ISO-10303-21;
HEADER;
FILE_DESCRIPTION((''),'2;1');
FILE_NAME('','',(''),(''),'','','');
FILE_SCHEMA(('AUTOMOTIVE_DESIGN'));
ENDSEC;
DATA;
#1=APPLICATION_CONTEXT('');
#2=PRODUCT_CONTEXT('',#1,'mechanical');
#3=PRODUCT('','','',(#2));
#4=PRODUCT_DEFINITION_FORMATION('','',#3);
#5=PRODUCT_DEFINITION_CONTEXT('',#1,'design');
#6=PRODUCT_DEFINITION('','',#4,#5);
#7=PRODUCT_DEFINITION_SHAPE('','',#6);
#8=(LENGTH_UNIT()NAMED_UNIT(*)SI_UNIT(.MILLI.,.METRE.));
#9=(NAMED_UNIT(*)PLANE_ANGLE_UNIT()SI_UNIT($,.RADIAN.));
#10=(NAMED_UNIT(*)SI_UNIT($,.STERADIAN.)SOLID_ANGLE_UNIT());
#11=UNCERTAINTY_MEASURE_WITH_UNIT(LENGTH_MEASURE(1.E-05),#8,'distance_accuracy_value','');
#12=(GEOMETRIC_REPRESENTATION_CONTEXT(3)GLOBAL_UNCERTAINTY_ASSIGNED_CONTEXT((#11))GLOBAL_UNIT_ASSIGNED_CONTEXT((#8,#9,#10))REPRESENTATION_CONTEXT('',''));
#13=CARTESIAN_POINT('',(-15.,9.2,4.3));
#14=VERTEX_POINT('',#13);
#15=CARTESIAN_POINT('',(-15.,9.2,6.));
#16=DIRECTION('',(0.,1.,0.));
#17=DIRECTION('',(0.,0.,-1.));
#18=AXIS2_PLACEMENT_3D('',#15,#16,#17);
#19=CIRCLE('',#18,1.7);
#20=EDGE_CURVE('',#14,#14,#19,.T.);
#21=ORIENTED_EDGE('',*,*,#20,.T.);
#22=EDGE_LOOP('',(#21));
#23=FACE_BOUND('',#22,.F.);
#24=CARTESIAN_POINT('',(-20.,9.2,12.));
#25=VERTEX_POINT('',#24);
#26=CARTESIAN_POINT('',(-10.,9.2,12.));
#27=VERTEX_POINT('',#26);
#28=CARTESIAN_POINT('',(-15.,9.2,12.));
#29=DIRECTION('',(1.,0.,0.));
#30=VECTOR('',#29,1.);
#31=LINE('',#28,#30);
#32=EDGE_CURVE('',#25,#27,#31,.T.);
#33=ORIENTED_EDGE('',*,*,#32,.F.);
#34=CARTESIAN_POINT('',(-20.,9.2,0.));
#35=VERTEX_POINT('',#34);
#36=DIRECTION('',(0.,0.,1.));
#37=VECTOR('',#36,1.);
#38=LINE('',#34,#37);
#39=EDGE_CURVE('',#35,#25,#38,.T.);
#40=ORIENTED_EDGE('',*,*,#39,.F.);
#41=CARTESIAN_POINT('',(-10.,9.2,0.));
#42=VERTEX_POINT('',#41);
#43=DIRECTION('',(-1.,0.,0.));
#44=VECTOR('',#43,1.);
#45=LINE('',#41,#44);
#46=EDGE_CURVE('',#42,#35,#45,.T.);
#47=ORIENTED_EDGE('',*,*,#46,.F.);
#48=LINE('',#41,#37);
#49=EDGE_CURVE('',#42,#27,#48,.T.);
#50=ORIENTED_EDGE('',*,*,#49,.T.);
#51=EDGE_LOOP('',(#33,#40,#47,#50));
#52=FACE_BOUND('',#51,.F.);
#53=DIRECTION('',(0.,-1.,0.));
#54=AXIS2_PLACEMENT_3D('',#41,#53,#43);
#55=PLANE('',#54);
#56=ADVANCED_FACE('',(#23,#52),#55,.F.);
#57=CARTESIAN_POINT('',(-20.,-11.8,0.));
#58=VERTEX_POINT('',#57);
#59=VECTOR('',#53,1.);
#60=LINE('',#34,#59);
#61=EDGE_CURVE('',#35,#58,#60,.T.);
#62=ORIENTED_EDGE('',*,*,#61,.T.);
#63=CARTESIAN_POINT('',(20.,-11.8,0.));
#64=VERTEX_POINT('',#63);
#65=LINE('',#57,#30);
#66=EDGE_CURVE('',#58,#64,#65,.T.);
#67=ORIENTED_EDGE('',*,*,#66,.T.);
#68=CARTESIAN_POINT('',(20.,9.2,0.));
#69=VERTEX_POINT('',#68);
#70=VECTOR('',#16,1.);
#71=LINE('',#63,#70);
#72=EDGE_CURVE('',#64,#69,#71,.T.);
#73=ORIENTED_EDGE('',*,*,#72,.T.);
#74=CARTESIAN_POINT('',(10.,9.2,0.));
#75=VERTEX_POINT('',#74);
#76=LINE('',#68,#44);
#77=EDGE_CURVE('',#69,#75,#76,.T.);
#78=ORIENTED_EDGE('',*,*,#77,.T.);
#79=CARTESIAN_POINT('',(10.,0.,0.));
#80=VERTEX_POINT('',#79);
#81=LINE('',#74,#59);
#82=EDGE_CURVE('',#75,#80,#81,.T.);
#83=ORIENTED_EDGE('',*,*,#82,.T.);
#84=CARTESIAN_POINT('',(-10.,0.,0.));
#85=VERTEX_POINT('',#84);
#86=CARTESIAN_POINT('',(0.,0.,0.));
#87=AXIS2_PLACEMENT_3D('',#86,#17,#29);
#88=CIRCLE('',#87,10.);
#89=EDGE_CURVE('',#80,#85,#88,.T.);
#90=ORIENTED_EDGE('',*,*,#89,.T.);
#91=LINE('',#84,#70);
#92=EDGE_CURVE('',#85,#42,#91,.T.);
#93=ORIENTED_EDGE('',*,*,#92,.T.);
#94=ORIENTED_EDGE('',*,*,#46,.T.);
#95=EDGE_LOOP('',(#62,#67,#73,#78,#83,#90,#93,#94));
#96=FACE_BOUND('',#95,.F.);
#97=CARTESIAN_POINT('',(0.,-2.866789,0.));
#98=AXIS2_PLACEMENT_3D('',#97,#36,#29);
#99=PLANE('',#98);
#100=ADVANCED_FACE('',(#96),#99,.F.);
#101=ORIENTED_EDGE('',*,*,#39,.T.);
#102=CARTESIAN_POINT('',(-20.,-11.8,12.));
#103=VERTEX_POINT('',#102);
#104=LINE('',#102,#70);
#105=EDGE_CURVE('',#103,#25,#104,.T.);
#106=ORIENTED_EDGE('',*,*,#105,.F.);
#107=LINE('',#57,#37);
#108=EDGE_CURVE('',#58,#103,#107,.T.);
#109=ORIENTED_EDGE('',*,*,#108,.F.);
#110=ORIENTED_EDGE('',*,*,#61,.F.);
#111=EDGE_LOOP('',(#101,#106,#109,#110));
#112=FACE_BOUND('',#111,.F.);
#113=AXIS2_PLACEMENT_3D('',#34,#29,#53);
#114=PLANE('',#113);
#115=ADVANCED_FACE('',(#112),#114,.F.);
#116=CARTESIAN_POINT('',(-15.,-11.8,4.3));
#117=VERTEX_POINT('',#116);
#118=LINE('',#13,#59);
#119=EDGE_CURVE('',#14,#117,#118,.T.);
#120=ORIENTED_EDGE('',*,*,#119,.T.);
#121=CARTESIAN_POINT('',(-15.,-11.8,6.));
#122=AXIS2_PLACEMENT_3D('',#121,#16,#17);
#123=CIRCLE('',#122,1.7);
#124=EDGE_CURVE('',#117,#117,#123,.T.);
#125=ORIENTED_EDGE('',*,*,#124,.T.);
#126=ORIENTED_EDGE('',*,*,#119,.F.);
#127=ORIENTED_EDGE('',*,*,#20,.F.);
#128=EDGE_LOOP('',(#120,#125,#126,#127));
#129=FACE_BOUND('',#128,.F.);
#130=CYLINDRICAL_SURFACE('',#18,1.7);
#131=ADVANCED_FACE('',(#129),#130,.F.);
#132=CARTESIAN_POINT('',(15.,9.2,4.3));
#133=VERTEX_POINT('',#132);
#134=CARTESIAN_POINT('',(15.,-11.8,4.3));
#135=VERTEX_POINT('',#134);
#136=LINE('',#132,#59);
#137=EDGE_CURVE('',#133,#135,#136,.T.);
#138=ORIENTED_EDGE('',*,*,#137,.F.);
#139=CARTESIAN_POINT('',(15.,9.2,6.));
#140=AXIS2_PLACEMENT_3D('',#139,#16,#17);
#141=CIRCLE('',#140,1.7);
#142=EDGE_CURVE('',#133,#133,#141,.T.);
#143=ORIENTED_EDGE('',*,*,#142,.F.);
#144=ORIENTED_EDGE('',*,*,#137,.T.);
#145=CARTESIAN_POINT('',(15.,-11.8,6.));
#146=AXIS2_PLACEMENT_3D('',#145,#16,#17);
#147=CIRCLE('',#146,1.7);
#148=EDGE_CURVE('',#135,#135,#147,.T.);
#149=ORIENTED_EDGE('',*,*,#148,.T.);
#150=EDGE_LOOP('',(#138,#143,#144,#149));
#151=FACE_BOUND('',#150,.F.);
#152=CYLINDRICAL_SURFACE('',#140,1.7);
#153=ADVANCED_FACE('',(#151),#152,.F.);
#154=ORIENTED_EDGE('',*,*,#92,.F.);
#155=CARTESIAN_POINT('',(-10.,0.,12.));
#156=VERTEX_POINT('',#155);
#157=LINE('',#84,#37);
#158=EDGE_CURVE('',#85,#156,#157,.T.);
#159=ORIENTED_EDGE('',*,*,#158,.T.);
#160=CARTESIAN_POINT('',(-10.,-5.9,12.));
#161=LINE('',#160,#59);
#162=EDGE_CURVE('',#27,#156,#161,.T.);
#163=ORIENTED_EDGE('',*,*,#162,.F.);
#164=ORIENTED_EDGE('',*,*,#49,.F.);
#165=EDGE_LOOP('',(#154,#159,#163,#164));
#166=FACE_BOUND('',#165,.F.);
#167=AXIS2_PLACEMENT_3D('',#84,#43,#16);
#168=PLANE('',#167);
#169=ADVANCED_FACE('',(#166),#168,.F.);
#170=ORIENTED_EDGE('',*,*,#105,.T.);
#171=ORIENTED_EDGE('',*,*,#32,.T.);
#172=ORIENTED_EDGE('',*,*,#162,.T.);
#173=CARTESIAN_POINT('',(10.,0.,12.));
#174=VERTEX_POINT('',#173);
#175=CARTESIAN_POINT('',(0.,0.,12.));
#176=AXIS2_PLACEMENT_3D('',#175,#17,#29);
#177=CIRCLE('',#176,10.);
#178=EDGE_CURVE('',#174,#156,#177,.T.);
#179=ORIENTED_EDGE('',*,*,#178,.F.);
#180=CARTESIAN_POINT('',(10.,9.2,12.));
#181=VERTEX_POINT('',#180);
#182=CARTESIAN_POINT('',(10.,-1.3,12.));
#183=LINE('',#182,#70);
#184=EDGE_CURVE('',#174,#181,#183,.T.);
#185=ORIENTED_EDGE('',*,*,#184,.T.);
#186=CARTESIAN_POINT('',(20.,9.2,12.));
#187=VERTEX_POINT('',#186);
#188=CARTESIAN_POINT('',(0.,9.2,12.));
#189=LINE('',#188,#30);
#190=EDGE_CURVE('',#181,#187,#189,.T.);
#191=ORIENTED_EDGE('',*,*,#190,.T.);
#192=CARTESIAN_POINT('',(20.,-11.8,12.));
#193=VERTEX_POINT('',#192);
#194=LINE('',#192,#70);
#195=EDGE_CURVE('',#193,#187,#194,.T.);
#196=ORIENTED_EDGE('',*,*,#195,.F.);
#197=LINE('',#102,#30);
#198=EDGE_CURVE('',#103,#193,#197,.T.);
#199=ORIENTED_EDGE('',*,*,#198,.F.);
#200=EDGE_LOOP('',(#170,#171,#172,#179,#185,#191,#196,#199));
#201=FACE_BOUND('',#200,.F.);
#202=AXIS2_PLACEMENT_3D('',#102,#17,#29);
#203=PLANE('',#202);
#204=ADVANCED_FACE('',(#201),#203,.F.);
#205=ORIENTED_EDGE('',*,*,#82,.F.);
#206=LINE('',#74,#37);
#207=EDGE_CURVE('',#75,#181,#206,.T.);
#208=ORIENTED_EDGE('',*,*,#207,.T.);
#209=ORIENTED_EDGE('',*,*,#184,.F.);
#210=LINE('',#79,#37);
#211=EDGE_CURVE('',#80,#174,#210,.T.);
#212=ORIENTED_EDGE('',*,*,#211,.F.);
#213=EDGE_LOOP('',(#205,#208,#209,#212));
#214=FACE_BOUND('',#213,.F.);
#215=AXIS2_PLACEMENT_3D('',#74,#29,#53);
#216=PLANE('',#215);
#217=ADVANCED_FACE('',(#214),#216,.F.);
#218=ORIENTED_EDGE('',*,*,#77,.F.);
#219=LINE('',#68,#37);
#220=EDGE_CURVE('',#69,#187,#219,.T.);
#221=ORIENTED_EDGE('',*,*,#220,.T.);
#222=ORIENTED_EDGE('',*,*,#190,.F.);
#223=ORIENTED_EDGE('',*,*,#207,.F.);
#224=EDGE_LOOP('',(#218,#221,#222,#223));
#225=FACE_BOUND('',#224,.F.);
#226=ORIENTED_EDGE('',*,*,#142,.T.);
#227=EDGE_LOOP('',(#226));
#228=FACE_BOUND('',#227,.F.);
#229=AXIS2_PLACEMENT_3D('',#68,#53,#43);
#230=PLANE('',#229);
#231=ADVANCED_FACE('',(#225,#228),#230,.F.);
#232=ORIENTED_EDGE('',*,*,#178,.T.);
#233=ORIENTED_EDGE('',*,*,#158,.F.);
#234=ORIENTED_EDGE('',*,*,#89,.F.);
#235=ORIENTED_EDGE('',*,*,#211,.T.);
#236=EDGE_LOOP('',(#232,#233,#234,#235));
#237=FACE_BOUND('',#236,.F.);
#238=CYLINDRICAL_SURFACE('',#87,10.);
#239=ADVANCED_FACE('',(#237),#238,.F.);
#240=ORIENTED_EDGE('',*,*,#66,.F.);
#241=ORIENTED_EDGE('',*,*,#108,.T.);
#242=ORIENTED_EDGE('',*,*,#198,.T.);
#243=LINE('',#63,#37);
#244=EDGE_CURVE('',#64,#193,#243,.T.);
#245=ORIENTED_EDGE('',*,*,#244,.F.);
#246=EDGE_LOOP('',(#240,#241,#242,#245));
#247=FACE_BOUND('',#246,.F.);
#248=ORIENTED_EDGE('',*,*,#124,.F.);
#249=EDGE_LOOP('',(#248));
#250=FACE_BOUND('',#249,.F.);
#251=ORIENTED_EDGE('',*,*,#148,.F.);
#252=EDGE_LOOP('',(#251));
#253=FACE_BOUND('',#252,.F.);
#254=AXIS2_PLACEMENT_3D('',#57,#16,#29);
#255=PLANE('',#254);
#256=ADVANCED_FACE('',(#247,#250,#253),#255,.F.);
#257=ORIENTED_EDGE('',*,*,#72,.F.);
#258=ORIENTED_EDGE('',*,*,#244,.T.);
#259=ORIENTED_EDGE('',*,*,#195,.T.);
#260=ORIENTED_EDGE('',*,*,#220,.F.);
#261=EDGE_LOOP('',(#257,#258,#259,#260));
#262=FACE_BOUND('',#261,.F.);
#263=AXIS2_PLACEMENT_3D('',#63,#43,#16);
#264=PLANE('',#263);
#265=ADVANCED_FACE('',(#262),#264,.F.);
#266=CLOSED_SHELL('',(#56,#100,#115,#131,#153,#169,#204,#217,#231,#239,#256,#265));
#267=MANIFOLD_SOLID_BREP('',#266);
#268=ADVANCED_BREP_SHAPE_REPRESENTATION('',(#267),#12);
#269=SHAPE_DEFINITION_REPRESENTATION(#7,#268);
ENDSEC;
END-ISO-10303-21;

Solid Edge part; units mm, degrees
sketch "Sketch1" plane through (0, 0, 0) normal (0, 0, 1) x (1, 0, 0)
  line L0 (-10, 0) -> (-10, 9.2)
  line L1 (-10, 9.2) -> (-20, 9.2)
  line L2 (-20, 9.2) -> (-20, -11.8)
  line L3 (-20, -11.8) -> (20, -11.8)
  line L4 (20, -11.8) -> (20, 9.2)
  line L5 (20, 9.2) -> (10, 9.2)
  line L6 (10, 9.2) -> (10, 0)
  arc A0 (10, 0) -> (-10, 0) centre (0, 0) cw
  dimension "D1" = 10
  dimension "D2" = 21
extrude "Protrusion1" add sketch "Sketch1" along normal blind 20
sketch "Sketch2" plane through (-15, 9.2, 10) normal (0, 1, 0) x (0, 0, -1)
  circle A0 centre (4, -30) radius 1.7
  circle A1 centre (4, 0) radius 1.7
  dimension "D1" = 15
  dimension "D2" = 15
  dimension "D3" = 14
  dimension "D4" = 3.4
extrude "Cutout1" cut sketch "Sketch2" against normal through all
sketch "Sketch3" plane through (0, -11.8, 10) normal (0, -1, 0) x (1, 0, 0)
  line L0 (-20, 10) -> (-20, 2)
  line L1 (-20, 2) -> (20, 2)
  dimension "D1" = 8
extrude "Cutout2" cut sketch "Sketch3" against normal through all material side at (-19.95, -11.8, 16)
properties material "ABS Plastic, medium impact"
